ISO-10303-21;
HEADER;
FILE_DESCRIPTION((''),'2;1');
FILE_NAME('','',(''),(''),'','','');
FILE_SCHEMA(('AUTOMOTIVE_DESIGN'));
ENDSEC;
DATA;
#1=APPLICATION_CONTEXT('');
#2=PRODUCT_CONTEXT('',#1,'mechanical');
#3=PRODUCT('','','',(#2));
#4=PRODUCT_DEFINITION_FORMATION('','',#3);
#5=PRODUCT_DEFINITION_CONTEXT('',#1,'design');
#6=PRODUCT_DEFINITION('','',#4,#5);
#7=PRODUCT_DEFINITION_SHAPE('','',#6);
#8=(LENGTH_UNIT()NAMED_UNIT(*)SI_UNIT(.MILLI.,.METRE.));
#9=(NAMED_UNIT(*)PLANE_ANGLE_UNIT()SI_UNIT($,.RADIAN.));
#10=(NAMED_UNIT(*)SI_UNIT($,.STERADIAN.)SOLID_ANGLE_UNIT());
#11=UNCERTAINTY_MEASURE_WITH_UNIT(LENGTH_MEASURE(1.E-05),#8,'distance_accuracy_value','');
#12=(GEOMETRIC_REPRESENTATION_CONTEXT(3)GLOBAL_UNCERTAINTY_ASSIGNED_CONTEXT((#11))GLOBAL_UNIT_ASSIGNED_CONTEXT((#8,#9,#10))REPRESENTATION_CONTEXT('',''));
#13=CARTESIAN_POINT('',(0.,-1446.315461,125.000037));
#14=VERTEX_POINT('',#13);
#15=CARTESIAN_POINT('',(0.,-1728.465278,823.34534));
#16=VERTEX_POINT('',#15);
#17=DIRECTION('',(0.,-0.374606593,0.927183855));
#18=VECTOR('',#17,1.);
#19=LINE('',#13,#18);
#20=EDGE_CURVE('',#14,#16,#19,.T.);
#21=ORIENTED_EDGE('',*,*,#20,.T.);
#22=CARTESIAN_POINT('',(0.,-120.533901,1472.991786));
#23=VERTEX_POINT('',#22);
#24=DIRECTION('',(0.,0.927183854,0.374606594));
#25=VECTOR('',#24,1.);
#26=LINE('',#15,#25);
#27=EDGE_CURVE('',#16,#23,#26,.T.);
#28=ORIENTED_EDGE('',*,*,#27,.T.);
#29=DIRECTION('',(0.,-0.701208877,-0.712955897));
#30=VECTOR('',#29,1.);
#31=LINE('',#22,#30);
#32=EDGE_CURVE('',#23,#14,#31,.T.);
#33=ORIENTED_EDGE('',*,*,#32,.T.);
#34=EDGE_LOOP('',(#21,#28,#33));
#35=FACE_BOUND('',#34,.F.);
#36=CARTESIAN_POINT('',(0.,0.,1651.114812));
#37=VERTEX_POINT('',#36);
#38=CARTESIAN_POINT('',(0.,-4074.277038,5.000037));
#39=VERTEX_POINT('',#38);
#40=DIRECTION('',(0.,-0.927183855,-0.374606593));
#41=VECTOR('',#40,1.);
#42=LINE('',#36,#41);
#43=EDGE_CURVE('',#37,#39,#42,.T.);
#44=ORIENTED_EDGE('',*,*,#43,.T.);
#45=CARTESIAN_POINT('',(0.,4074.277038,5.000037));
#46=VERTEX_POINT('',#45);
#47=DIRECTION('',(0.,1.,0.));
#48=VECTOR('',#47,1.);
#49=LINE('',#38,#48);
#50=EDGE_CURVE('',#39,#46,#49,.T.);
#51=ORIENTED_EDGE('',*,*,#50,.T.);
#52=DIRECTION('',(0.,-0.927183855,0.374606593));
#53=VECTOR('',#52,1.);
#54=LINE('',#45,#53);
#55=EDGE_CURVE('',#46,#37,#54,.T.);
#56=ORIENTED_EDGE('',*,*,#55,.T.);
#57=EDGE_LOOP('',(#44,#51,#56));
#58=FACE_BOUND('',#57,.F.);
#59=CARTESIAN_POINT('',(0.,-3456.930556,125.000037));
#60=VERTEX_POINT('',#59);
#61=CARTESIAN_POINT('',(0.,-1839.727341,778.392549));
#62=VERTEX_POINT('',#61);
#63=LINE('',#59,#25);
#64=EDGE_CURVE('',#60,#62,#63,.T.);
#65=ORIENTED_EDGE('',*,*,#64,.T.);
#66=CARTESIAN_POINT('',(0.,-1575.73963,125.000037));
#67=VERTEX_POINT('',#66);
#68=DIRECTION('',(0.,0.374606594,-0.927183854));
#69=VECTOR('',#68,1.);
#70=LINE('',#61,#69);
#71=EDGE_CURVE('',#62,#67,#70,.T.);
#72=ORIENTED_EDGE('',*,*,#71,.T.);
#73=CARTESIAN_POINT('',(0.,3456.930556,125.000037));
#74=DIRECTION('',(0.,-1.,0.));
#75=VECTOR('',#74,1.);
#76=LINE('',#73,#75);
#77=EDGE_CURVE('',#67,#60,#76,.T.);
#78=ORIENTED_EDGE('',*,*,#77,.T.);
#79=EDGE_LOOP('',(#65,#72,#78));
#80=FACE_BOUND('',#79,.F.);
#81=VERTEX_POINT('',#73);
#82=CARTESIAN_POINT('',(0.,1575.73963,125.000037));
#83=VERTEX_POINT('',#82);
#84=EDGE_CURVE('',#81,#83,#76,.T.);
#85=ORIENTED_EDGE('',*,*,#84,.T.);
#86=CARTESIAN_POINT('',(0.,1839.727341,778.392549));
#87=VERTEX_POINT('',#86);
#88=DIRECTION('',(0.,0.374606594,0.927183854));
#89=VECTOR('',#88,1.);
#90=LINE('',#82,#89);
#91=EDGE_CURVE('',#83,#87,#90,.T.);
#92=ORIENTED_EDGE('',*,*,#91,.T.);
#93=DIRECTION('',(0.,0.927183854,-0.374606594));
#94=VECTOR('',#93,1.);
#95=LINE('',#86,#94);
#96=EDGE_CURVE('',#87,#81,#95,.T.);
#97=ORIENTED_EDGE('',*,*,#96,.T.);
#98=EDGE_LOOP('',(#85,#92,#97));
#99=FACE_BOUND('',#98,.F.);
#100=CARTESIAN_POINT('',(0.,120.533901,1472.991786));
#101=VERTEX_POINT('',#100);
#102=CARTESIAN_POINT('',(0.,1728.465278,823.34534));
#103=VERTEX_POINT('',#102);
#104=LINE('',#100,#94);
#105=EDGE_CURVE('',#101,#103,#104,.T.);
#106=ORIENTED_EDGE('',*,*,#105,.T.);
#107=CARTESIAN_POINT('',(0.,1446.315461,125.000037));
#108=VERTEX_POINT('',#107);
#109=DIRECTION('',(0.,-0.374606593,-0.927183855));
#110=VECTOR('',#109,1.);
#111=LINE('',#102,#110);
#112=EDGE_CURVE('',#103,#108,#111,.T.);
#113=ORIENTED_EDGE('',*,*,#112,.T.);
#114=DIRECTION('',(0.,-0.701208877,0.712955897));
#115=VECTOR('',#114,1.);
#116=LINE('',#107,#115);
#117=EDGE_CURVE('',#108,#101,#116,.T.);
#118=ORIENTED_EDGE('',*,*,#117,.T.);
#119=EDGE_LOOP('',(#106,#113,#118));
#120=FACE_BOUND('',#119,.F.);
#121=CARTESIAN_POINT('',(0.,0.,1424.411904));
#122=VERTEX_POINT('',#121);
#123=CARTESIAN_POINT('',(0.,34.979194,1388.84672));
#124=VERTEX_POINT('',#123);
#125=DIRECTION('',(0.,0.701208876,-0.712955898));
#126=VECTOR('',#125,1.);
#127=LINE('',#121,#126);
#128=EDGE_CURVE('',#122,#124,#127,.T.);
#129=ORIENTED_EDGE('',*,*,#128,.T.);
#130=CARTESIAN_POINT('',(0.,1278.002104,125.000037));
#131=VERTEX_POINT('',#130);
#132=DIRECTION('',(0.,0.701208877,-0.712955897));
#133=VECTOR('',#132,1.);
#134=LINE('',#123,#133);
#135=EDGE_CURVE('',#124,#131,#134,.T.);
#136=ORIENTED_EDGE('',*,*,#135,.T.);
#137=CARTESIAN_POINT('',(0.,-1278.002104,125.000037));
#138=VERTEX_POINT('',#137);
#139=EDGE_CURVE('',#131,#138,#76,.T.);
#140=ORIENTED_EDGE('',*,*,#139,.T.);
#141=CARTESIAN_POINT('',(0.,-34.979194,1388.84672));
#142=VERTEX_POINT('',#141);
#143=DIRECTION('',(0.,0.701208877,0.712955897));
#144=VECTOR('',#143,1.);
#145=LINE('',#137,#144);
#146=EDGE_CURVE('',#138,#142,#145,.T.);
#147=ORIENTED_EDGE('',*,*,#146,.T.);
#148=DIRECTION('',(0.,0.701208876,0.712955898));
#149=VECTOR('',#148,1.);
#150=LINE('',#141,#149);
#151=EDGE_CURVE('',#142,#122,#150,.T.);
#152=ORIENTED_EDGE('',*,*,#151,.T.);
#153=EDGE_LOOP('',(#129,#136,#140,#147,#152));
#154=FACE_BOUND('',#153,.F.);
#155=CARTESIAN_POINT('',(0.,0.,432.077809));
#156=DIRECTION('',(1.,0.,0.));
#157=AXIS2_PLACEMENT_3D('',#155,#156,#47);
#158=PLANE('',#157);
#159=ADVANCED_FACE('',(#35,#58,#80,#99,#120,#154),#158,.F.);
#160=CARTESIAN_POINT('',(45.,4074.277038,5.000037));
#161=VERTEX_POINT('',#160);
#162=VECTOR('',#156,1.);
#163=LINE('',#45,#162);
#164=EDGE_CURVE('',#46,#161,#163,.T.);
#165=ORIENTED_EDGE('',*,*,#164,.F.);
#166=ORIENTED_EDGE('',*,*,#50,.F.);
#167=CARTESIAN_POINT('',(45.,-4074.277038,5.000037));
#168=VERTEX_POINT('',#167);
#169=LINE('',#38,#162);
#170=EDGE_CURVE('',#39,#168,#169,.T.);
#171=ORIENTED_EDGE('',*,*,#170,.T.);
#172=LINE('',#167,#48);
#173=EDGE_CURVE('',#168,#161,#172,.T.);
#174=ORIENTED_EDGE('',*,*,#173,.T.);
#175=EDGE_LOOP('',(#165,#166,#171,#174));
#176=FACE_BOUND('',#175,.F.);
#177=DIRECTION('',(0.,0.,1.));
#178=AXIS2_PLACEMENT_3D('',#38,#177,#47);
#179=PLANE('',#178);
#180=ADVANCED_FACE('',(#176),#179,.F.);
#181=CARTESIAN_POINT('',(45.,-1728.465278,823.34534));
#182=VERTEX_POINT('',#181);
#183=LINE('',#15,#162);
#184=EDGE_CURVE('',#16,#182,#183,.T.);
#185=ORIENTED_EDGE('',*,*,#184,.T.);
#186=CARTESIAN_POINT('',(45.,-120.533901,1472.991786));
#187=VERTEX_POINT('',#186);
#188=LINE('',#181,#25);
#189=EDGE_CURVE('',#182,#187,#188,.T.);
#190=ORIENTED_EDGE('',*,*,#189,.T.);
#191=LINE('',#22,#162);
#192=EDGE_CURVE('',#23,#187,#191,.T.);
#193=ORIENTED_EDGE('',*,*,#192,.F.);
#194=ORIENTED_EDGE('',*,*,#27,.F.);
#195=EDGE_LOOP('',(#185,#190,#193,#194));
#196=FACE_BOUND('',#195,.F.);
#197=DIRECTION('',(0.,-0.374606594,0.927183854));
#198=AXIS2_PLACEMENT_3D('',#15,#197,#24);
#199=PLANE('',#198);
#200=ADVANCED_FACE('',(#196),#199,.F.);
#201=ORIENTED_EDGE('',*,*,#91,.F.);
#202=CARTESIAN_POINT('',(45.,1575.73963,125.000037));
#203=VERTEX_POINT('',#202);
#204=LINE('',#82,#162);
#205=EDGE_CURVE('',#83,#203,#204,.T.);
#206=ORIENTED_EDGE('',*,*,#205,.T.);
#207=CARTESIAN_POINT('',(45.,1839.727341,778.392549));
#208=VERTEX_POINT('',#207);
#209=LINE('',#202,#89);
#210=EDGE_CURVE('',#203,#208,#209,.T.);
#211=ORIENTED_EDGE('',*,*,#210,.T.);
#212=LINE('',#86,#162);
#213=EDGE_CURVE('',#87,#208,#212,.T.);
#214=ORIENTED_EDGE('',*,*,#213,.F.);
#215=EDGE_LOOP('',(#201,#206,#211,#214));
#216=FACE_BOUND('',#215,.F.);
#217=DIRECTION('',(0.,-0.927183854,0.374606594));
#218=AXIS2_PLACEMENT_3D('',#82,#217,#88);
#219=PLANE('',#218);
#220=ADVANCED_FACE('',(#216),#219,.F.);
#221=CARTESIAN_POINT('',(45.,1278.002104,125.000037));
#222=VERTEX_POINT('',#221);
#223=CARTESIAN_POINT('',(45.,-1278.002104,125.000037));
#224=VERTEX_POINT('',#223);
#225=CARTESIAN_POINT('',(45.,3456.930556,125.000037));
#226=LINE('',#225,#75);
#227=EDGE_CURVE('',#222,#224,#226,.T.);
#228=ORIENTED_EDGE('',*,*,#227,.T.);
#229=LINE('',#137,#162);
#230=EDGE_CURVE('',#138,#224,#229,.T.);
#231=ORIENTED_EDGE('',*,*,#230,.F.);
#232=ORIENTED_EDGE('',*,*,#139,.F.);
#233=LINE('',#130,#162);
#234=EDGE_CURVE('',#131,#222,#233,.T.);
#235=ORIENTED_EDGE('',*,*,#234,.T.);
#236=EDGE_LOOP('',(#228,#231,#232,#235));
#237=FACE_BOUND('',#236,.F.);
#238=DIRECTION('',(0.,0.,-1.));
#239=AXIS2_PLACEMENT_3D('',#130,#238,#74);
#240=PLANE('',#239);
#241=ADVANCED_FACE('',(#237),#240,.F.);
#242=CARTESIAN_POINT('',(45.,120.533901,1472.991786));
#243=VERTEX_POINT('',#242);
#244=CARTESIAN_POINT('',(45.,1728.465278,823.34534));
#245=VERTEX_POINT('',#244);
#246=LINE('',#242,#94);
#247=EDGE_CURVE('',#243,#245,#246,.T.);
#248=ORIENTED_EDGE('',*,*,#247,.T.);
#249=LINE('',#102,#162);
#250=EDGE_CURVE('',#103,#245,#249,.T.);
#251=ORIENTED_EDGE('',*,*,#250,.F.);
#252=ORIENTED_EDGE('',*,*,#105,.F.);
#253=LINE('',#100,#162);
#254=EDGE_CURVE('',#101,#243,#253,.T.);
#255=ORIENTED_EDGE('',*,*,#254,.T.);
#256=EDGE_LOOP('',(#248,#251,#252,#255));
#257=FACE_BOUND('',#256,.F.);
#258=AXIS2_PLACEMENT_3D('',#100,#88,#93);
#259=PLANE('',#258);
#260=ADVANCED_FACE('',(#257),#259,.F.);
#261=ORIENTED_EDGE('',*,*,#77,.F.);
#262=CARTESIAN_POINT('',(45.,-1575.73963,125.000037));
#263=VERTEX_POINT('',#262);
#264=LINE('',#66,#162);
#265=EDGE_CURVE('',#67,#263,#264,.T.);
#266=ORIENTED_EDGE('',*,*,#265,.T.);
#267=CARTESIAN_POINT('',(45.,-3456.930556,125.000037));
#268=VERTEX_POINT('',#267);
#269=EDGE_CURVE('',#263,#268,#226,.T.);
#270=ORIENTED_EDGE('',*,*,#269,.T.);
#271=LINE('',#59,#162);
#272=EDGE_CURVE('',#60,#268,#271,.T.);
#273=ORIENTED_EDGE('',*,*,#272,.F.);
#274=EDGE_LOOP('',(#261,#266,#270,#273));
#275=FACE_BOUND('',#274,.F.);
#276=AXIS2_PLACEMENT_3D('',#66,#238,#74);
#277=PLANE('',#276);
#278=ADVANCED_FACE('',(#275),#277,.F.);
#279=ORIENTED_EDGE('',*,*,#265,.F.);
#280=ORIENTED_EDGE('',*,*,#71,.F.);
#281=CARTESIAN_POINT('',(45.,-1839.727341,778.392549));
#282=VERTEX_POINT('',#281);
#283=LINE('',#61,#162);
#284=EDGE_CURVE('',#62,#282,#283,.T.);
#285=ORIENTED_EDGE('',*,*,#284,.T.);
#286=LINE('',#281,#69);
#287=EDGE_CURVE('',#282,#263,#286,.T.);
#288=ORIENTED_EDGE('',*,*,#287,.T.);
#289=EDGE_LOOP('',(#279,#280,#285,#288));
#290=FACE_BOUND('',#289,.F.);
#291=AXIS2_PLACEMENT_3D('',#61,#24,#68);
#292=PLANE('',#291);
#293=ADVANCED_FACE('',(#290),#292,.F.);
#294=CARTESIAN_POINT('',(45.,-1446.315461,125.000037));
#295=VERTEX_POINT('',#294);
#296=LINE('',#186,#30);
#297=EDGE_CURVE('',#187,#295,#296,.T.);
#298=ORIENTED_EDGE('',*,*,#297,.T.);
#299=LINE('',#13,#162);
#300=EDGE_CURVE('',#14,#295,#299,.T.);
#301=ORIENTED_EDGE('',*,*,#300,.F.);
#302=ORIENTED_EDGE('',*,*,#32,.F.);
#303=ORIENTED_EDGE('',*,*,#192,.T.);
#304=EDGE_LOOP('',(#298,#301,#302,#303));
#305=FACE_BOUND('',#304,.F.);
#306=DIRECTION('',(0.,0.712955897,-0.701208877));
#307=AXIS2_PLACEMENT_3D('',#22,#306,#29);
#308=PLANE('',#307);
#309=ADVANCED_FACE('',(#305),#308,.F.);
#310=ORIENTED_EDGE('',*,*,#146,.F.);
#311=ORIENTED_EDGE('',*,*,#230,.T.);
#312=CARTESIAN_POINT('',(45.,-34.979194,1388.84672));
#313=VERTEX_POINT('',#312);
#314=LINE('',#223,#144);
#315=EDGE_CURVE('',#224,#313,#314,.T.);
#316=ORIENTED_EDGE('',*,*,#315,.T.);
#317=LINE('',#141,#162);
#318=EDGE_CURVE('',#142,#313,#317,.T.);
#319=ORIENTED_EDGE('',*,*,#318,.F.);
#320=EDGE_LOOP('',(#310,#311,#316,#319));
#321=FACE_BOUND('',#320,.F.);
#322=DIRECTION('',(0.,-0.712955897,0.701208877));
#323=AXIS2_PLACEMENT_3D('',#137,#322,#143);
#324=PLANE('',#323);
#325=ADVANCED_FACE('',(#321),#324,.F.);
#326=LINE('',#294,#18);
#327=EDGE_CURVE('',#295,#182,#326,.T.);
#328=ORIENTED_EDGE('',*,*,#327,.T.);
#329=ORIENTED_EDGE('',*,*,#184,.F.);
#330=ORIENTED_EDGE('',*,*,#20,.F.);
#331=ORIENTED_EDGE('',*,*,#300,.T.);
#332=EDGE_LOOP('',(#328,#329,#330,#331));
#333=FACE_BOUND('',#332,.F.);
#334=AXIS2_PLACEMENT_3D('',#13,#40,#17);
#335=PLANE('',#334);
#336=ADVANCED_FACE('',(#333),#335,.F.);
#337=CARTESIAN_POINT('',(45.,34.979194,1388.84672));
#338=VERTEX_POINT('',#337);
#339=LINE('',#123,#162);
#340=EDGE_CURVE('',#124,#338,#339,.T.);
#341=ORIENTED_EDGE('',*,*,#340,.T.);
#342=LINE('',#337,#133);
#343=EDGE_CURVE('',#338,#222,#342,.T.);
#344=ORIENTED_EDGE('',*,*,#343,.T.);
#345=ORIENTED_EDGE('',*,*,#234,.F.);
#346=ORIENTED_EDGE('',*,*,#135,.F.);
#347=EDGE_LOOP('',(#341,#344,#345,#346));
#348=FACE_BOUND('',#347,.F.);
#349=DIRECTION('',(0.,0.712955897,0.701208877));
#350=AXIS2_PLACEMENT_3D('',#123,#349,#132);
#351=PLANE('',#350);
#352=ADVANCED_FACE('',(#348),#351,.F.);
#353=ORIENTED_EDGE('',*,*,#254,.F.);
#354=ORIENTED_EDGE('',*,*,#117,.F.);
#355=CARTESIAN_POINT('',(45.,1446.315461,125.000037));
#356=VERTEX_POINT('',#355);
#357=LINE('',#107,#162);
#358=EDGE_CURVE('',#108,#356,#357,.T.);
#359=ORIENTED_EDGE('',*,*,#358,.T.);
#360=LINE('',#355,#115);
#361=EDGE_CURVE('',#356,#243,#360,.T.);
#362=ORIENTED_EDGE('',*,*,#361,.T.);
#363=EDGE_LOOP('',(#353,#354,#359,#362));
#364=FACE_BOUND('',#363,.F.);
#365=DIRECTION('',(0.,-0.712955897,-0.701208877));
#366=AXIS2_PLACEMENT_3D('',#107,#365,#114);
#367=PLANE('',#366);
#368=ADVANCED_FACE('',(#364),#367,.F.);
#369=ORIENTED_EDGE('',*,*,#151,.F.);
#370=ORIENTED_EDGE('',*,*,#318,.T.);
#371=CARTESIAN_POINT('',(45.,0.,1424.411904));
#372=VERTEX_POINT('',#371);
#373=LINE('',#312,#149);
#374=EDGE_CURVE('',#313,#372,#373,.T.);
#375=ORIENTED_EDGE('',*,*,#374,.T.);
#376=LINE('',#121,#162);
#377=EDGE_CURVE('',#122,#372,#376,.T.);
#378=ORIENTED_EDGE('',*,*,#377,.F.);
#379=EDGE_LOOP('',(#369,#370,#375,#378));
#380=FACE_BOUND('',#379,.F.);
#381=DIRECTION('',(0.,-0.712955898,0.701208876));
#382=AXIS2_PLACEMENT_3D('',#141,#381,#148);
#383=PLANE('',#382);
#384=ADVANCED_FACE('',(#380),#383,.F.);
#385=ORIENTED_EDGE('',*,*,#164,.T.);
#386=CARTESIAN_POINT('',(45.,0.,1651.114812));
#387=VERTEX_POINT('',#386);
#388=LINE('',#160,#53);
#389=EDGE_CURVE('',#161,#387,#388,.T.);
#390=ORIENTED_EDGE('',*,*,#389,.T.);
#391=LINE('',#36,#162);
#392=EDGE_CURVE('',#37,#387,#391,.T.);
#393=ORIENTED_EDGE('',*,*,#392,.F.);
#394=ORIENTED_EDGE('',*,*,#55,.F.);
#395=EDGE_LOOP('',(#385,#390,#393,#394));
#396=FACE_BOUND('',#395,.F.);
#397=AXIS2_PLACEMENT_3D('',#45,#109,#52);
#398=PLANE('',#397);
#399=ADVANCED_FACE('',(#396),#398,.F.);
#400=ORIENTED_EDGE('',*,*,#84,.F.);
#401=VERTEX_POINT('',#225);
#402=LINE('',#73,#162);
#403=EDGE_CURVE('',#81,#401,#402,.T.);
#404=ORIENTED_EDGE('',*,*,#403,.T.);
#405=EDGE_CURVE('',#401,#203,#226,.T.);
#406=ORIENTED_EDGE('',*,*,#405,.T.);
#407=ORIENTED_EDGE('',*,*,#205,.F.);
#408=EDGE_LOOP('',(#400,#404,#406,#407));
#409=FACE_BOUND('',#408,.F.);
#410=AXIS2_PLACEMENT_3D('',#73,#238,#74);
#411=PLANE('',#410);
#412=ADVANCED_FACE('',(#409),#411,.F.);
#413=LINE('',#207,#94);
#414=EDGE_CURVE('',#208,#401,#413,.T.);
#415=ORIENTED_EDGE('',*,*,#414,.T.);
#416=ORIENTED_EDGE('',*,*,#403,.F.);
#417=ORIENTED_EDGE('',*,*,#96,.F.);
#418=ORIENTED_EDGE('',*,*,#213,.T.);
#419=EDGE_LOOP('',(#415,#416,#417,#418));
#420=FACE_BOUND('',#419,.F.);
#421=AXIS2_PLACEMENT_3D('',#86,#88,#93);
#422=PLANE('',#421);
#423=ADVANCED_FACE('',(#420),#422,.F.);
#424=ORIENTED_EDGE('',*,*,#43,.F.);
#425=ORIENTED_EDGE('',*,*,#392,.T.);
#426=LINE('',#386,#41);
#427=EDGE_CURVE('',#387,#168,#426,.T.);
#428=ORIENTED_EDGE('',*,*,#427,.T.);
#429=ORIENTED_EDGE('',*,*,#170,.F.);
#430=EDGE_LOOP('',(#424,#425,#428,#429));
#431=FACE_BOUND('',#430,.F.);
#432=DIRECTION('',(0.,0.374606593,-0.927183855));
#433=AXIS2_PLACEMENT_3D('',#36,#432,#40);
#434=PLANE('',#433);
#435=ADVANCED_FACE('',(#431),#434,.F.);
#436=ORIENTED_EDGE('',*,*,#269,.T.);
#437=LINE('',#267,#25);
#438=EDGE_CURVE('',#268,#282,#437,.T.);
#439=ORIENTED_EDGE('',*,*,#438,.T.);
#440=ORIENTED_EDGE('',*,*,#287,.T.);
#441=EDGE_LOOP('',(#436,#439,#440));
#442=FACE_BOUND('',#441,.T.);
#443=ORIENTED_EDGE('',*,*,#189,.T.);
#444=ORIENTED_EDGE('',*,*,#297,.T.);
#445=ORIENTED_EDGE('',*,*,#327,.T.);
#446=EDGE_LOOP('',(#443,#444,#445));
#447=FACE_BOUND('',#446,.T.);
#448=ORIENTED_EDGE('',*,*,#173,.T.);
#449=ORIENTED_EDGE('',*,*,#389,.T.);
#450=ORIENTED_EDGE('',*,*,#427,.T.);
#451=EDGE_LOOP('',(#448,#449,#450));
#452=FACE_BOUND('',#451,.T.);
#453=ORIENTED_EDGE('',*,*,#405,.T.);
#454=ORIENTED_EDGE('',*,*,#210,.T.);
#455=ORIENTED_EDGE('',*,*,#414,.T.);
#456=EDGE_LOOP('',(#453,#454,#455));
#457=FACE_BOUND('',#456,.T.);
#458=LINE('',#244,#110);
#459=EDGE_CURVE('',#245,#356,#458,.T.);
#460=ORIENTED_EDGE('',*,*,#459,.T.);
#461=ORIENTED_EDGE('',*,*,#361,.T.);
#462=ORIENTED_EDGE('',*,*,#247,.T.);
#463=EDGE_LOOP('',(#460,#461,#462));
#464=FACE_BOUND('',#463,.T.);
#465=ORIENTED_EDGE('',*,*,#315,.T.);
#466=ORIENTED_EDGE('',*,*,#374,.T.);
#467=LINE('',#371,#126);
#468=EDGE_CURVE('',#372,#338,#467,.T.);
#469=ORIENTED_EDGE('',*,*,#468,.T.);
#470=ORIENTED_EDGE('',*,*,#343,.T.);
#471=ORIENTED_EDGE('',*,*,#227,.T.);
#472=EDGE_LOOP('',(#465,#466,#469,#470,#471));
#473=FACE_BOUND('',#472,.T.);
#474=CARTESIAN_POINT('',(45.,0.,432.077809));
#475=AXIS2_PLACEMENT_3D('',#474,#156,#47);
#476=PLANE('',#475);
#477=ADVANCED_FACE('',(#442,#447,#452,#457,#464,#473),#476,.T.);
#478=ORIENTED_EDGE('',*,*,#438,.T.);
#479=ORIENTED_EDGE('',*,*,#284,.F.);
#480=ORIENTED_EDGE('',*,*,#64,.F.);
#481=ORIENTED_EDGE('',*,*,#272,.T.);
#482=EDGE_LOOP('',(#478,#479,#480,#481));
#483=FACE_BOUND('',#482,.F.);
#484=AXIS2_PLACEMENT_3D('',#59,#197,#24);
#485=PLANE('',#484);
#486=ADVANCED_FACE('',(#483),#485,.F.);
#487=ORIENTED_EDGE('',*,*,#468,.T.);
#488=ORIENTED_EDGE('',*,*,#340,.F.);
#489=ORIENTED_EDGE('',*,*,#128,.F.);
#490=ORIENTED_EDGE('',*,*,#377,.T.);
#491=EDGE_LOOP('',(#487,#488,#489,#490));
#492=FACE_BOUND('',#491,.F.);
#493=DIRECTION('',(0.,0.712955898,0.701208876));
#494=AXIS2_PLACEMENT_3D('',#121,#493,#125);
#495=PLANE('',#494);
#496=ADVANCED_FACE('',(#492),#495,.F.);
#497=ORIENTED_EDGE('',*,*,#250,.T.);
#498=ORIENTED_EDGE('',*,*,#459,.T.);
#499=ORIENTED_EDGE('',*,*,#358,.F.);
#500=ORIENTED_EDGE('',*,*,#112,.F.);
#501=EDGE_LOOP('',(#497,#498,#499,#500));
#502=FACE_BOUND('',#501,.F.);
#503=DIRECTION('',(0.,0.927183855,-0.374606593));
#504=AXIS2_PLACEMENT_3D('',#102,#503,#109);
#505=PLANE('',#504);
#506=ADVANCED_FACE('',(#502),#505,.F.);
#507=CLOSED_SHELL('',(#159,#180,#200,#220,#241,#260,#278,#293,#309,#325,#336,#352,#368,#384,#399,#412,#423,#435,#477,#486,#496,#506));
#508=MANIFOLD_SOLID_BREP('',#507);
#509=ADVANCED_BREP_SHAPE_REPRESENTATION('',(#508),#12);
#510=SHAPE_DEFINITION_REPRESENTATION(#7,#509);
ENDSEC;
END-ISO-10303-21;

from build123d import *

# Parameters (mm, degrees)
F1_DEPTH = 45


with BuildPart() as f1:
    # F0 (on Right) → F1 (new body)
    with BuildSketch(Plane.YZ):
        Polygon((4074.277038, 5.000037), (0, 1651.114812), (-4074.277038, 5.000037), align=None)
        Polygon((-1728.465278, 823.34534), (-120.533901, 1472.991786), (0, 1521.690643), (120.533901, 1472.991786), (1728.465278, 823.34534), (1839.727341, 778.392549), (3456.930556, 125.000037), (1575.73963, 125.000037), (1446.315461, 125.000037), (1278.002104, 125.000037), (-1278.002104, 125.000037), (-1446.315461, 125.000037), (-1575.73963, 125.000037), (-3456.930556, 125.000037), (-1839.727341, 778.392549), align=None, mode=Mode.SUBTRACT)
        Polygon((-1446.315461, 125.000037), (-1728.465278, 823.34534), (-1839.727341, 778.392549), (-1575.73963, 125.000037), align=None)
        Polygon((0, 1521.690643), (-120.533901, 1472.991786), (-1446.315461, 125.000037), (-1278.002104, 125.000037), (-34.979194, 1388.84672), (0, 1424.411904), align=None)
        Polygon((120.533901, 1472.991786), (0, 1521.690643), (0, 1424.411904), (34.979194, 1388.84672), (1278.002104, 125.000037), (1446.315461, 125.000037), align=None)
        Polygon((1839.727341, 778.392549), (1728.465278, 823.34534), (1446.315461, 125.000037), (1575.73963, 125.000037), align=None)
    extrude(amount=F1_DEPTH)


solid = f1.part
